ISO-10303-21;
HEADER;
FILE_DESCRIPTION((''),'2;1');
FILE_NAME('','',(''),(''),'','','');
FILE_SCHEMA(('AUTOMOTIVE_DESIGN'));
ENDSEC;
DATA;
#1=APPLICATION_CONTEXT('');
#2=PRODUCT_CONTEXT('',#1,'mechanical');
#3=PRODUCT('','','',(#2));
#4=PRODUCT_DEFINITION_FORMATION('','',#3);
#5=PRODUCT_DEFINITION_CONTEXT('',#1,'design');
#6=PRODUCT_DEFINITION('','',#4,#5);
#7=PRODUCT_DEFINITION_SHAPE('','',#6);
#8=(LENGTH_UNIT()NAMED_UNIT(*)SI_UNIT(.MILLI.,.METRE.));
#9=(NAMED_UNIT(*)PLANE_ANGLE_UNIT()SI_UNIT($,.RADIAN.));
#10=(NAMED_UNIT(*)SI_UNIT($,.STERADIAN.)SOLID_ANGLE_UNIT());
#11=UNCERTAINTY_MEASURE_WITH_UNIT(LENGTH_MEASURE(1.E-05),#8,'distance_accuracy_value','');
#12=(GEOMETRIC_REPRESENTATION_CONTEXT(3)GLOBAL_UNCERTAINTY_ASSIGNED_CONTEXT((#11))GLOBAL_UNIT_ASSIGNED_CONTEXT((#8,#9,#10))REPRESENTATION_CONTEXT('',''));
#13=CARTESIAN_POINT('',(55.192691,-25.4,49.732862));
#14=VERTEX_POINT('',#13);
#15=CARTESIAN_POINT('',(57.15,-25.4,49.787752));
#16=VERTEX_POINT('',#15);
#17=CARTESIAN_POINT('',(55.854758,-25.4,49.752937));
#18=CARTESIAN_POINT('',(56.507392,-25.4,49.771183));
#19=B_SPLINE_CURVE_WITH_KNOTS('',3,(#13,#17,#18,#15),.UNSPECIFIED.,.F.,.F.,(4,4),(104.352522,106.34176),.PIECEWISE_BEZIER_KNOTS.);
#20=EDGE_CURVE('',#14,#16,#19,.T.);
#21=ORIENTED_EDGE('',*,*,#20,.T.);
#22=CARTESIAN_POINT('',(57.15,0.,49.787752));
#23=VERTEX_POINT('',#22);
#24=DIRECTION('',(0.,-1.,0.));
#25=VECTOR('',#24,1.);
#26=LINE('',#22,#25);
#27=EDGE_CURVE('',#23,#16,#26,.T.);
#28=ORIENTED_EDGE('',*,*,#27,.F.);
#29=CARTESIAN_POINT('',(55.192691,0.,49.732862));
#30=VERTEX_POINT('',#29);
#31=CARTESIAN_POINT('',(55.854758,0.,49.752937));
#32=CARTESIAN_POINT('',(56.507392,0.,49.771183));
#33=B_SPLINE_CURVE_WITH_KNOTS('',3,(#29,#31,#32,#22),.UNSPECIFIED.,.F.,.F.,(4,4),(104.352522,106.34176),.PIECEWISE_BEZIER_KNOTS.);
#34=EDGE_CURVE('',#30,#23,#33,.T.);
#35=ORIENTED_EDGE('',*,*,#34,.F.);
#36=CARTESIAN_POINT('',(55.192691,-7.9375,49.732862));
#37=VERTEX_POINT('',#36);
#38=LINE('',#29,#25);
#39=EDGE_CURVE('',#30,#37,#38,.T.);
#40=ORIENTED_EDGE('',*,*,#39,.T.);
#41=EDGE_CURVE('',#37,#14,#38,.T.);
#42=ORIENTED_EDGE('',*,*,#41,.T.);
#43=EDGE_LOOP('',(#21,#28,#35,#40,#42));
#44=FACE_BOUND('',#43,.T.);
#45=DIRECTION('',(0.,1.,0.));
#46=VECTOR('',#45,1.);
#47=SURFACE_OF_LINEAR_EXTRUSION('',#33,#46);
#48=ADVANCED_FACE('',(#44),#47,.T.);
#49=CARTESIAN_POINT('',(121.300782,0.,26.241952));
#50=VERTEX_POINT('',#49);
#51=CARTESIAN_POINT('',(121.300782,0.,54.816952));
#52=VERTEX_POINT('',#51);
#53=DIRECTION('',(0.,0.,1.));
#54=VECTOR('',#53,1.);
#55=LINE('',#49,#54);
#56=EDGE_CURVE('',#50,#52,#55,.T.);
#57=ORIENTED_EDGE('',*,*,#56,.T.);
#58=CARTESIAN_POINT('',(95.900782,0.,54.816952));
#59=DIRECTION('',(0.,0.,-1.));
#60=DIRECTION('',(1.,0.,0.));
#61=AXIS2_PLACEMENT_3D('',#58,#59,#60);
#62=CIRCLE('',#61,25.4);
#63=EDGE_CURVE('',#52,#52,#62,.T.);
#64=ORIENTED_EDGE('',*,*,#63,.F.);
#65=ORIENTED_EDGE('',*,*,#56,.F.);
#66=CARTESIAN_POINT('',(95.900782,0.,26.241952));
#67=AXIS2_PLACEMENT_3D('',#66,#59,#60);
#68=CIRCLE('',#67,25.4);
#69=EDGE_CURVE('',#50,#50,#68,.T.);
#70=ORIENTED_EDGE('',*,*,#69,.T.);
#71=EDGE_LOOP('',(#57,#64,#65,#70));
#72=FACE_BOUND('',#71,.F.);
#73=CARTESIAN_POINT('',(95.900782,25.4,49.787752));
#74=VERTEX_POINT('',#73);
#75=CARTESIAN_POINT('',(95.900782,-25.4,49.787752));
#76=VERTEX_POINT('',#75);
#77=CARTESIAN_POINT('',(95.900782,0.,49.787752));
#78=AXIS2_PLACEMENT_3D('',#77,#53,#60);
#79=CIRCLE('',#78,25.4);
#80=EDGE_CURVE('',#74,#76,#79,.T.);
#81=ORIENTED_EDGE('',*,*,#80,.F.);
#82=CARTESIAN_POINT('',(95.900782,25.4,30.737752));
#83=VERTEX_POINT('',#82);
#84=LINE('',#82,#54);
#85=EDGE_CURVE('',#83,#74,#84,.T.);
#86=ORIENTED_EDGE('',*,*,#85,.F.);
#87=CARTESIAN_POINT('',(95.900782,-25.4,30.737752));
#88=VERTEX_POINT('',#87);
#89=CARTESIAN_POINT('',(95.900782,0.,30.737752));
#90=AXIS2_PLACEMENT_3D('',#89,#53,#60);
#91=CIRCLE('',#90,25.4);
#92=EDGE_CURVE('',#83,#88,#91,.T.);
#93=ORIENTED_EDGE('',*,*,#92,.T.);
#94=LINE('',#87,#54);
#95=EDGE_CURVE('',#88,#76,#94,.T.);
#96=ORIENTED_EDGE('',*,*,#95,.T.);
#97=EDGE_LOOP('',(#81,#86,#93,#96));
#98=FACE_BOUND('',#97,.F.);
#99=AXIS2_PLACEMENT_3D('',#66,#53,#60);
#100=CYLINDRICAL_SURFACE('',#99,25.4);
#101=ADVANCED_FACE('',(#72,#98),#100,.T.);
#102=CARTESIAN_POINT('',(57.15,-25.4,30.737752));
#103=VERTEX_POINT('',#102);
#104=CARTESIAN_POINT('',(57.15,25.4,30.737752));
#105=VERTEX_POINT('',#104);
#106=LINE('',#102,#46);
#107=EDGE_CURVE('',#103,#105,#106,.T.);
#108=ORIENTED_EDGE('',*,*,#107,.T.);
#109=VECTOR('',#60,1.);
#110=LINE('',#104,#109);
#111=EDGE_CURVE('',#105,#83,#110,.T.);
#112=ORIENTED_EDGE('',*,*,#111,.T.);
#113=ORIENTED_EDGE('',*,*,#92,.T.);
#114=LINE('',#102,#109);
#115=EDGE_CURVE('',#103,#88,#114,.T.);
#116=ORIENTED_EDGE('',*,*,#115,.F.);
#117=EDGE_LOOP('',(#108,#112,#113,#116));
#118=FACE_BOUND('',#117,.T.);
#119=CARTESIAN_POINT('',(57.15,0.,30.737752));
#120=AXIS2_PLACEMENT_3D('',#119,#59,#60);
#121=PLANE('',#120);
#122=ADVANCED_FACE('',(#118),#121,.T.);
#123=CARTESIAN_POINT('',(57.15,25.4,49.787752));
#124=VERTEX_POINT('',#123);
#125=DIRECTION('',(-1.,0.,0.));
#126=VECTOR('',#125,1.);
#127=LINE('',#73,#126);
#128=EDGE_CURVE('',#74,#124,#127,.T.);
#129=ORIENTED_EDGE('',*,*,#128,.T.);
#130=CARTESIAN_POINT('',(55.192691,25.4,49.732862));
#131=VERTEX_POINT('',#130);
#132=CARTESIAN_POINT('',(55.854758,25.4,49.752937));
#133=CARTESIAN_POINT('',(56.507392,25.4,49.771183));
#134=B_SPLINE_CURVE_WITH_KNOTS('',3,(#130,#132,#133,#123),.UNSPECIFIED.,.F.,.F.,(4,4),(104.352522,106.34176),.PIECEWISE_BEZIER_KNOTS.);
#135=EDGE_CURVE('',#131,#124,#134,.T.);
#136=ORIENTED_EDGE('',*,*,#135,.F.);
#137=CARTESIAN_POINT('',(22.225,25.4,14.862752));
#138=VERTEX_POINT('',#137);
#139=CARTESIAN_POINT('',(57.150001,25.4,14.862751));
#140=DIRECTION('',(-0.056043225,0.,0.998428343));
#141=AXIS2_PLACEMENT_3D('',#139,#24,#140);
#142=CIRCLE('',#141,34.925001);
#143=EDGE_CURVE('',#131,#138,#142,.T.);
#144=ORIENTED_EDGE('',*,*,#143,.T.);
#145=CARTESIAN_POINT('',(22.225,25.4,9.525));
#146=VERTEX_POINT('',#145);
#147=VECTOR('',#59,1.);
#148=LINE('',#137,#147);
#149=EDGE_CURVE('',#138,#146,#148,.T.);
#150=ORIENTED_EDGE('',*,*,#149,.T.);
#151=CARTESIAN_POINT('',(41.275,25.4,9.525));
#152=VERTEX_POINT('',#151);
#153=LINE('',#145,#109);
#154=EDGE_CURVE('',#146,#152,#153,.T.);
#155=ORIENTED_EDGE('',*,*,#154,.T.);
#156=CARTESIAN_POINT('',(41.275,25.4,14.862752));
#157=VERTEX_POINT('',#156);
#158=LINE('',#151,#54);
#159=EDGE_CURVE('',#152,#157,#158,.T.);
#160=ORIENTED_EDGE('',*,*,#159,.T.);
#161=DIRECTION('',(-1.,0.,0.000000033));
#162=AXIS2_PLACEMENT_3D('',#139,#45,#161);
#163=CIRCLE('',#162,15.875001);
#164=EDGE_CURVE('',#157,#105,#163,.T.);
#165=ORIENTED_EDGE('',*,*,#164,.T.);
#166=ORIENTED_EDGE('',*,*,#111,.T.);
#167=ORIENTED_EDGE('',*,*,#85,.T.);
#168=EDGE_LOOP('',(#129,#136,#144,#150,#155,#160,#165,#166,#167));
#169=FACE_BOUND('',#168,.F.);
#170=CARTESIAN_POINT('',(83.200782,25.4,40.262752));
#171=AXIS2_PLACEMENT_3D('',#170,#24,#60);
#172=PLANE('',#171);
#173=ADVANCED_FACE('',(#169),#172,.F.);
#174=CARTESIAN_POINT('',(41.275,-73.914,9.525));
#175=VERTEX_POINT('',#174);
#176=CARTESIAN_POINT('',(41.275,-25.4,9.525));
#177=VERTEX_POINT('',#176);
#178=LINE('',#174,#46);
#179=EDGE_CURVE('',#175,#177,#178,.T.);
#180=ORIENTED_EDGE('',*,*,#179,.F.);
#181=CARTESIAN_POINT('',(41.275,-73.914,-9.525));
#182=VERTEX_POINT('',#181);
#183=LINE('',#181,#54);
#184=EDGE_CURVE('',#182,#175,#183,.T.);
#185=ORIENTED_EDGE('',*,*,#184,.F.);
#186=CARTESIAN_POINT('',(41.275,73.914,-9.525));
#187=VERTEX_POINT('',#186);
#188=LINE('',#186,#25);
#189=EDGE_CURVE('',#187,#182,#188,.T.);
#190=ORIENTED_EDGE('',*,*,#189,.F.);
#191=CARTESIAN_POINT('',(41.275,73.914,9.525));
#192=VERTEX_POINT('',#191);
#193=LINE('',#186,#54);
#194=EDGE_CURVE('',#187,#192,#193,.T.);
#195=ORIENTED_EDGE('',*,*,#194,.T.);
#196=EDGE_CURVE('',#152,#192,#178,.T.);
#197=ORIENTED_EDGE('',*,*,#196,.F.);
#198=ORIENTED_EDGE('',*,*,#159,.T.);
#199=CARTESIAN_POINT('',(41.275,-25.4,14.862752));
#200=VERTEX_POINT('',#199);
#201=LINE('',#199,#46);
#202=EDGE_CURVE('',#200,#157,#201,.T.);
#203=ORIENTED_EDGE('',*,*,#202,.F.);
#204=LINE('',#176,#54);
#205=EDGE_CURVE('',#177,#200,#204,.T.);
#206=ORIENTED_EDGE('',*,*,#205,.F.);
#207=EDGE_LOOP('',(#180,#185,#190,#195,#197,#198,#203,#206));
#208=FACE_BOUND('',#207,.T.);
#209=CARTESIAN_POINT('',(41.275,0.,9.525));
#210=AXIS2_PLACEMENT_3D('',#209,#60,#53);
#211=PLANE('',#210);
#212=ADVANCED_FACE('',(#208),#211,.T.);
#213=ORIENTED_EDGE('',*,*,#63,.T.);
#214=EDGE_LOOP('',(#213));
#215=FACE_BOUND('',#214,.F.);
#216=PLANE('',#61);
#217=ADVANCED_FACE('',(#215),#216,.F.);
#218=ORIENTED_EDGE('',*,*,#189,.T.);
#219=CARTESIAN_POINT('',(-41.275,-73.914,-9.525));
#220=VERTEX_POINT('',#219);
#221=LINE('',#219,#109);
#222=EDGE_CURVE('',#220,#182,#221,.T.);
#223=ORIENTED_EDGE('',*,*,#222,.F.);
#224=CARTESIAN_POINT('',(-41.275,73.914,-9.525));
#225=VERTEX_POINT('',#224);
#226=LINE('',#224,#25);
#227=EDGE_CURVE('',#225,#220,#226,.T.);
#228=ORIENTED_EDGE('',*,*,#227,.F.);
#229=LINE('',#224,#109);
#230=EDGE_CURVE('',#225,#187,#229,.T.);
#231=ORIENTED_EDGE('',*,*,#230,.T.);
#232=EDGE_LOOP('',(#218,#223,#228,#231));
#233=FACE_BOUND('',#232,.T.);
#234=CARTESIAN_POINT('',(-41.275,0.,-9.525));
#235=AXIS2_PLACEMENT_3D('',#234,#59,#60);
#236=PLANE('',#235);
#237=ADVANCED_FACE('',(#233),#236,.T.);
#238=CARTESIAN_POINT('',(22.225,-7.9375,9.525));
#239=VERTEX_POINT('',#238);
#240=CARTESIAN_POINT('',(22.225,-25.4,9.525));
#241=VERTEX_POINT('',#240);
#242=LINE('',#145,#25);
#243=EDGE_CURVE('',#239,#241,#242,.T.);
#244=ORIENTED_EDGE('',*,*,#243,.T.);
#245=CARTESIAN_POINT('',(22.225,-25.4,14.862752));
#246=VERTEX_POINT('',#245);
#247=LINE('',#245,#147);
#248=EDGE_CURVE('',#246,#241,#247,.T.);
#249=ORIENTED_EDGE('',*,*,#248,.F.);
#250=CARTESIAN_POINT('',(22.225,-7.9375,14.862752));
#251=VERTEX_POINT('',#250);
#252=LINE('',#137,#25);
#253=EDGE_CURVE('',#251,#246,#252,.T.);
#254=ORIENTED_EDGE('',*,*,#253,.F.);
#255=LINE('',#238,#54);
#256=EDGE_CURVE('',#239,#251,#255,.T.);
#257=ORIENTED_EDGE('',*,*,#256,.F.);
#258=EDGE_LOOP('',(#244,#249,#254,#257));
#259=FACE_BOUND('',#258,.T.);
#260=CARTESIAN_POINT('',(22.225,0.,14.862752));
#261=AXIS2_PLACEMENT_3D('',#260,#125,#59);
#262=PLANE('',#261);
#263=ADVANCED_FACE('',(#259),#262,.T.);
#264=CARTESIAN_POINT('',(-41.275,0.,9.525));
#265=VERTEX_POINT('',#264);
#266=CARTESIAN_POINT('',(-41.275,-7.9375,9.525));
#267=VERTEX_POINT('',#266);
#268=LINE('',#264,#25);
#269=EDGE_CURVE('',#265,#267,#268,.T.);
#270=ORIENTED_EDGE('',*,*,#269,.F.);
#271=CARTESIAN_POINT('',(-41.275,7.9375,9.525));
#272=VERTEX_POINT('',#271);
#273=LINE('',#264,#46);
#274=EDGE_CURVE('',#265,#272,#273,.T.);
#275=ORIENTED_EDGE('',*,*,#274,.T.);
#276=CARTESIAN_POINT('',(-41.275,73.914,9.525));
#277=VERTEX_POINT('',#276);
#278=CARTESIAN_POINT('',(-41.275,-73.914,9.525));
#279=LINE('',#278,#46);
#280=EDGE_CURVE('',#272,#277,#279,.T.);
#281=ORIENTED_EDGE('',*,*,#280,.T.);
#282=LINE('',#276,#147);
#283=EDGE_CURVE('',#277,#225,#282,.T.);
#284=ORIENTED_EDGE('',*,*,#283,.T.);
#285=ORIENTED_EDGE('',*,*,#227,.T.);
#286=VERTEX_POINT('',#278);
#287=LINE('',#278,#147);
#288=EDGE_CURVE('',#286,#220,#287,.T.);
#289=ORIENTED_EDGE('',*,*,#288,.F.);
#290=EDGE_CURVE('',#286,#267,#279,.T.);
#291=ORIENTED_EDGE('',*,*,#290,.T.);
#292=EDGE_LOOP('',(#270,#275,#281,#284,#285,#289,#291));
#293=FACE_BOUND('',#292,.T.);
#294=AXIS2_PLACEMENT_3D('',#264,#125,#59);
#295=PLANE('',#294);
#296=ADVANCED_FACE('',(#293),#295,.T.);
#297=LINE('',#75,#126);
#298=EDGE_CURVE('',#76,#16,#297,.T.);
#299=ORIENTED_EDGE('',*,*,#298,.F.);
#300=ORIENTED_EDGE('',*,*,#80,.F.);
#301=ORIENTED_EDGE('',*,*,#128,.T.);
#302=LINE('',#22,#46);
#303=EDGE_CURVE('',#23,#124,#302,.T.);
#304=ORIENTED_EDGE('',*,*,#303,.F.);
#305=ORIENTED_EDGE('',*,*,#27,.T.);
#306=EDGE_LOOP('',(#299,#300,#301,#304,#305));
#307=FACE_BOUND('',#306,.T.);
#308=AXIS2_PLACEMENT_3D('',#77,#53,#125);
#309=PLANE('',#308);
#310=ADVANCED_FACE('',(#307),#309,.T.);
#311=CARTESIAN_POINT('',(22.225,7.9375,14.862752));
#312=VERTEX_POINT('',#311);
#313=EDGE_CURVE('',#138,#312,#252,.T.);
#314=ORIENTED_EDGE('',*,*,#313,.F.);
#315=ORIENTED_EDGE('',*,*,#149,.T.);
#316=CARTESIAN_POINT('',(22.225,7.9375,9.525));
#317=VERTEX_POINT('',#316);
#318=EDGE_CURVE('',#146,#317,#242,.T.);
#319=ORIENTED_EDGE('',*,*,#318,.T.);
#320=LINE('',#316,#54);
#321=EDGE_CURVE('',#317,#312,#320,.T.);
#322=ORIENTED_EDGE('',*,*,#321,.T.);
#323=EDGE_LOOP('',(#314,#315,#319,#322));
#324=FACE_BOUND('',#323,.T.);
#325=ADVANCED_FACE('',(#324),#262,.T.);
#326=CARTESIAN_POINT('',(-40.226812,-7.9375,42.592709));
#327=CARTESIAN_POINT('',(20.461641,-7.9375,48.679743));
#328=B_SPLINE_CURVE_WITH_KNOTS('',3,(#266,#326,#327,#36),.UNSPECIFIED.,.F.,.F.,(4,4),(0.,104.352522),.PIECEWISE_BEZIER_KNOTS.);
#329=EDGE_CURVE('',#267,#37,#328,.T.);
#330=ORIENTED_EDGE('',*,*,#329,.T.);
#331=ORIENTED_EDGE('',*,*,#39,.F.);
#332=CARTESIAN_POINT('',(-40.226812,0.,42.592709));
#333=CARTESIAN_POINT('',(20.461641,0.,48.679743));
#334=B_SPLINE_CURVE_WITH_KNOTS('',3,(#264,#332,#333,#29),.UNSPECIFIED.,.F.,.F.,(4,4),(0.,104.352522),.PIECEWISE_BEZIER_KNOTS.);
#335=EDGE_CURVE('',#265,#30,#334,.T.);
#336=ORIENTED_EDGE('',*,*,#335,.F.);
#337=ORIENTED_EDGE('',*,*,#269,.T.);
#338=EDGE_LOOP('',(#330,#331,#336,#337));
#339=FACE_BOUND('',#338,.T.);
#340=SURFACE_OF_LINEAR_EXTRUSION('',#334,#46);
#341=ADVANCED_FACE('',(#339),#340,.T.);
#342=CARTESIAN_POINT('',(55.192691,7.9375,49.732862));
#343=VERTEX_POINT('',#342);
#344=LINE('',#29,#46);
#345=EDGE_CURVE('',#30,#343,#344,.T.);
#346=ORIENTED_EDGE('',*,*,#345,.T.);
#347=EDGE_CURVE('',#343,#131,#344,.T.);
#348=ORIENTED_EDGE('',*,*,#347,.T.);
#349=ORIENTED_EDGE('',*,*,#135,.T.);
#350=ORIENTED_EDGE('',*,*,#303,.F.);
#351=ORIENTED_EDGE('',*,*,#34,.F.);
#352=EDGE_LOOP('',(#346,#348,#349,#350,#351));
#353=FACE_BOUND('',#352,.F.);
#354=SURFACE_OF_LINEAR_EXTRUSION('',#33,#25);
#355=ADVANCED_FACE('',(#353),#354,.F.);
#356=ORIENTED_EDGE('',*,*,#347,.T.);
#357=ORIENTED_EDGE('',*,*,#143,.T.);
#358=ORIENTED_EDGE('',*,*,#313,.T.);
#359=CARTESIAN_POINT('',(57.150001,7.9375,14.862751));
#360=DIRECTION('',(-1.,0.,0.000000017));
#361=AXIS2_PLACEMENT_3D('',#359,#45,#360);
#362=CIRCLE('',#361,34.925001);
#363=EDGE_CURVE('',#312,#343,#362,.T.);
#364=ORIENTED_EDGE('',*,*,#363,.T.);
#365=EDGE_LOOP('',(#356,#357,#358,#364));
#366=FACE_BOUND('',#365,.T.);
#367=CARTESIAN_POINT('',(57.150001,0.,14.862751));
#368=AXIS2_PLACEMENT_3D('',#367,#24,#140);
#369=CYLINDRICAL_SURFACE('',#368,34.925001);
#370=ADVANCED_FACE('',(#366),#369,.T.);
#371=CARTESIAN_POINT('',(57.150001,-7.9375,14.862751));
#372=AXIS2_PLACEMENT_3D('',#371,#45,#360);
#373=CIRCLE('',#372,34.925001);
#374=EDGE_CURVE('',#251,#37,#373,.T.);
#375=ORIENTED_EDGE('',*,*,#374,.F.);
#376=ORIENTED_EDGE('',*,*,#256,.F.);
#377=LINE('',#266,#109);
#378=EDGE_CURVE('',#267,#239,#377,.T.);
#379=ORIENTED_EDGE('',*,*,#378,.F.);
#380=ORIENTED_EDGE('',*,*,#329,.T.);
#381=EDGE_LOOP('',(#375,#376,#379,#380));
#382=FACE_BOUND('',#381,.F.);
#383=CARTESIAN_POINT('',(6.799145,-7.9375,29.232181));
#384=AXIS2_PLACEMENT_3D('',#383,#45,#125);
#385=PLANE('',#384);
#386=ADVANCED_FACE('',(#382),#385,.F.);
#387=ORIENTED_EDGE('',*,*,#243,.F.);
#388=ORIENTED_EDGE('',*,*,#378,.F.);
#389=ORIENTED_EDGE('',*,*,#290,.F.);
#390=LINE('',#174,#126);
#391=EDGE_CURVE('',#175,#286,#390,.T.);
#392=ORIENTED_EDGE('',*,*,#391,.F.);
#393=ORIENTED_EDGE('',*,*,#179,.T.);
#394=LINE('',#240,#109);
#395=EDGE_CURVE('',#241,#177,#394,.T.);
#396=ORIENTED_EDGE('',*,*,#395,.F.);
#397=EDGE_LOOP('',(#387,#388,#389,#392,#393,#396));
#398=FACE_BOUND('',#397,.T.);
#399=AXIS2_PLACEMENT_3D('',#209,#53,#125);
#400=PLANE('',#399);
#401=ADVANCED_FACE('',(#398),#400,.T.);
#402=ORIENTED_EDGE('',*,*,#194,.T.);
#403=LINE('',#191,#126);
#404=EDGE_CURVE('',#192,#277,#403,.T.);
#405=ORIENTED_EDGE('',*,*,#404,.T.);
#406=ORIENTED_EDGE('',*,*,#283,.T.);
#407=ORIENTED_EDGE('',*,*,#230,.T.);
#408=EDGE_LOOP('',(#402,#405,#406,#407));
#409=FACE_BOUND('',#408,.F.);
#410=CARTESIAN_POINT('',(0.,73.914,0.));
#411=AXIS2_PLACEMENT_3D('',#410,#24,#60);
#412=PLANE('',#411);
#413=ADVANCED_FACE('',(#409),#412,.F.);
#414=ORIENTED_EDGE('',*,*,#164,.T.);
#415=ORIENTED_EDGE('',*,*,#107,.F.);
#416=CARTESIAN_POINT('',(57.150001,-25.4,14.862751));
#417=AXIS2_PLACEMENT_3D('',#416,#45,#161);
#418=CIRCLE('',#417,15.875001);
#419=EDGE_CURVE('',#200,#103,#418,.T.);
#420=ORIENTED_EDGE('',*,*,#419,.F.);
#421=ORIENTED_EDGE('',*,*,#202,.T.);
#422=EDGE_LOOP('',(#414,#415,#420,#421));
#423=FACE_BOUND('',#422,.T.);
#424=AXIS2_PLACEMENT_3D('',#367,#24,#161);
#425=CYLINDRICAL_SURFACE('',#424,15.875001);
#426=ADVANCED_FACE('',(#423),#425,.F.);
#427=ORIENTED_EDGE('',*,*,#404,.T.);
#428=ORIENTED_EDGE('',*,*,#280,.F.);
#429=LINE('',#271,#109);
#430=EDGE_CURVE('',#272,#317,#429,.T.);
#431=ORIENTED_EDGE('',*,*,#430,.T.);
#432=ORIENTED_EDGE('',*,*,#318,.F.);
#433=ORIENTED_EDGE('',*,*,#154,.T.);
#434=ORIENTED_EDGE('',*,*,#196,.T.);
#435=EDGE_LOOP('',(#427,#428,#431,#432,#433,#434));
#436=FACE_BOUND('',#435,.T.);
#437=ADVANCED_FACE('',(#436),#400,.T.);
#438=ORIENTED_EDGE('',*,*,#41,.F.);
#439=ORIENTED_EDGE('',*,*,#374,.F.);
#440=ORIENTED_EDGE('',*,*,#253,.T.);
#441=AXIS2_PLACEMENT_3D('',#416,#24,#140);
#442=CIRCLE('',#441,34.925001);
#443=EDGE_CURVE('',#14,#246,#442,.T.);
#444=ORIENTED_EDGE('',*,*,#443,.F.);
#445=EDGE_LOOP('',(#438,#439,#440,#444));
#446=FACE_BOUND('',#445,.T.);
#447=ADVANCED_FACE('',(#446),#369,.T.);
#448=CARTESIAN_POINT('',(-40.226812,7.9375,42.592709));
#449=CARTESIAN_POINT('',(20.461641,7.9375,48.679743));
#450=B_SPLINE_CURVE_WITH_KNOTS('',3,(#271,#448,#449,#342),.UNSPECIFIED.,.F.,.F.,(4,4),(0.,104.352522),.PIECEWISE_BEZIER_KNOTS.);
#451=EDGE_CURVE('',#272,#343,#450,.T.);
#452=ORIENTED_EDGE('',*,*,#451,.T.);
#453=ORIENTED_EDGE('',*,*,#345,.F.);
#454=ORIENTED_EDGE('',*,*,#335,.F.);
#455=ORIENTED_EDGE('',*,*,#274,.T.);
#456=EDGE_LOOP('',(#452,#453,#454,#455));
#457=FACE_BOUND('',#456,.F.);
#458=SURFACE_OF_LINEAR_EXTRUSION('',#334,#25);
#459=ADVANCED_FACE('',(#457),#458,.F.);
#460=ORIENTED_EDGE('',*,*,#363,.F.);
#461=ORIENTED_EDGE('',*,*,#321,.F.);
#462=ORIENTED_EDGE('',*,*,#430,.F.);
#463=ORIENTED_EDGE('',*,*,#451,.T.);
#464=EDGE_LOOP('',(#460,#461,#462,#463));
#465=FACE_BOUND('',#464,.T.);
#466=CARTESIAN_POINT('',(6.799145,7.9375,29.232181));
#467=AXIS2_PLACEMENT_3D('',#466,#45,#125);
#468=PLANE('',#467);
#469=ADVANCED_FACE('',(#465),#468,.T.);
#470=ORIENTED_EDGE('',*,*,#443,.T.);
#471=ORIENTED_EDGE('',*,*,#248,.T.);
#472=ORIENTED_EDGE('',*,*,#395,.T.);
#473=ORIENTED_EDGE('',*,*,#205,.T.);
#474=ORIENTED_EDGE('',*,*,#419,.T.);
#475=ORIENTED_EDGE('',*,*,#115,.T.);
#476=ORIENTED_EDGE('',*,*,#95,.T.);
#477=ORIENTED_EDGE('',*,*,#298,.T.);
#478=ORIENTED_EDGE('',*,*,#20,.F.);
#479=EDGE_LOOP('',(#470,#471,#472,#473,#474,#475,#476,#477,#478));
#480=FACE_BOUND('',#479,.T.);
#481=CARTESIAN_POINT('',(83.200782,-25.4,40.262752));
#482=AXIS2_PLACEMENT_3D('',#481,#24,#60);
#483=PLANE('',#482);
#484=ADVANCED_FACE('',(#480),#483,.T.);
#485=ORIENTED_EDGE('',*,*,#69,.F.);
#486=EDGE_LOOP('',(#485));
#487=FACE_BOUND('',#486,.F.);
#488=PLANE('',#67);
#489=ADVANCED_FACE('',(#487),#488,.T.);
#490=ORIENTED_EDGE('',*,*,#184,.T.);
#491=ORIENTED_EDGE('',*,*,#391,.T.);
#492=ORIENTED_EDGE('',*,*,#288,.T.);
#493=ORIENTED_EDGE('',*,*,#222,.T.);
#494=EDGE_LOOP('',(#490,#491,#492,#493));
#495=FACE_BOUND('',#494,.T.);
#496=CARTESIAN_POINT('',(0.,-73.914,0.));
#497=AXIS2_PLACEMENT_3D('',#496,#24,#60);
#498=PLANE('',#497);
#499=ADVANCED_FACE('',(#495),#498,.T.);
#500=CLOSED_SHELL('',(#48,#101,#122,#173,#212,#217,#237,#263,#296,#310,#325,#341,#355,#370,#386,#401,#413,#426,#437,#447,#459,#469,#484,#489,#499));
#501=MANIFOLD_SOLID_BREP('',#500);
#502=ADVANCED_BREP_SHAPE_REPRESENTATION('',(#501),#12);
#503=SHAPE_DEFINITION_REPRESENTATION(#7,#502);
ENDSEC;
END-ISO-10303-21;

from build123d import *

# Parameters (mm, degrees)
F1_DEPTH      = 73.914
F1_DEPTH_BACK = 73.914
F2_DEPTH      = 7.9375
F3_DEPTH      = 25.4


with BuildPart() as f1:
    # F0 (on Front) → F1 (new body, two sides)
    with BuildSketch(Plane.XZ) as f1_sk:
        Polygon((-41.275, 9.525), (-41.275, -9.525), (41.275, -9.525), (41.275, 9.525), (22.225, 9.525), align=None)
    extrude(amount=F1_DEPTH)
    extrude(f1_sk.sketch, amount=-F1_DEPTH_BACK)

    # F0 (on Front) → F2 (join, symmetric)
    with BuildSketch(Plane.XZ):
        with BuildLine():
            add(Edge.make_bspline(
                [(-41.275, 9.525), (-40.226812, 42.592709), (20.461641, 48.679743), (55.192691, 49.732862)],
                knots=[0, 0, 0, 0, 104.352522, 104.352522, 104.352522, 104.352522], degree=3))
            Line((-41.275, 9.525), (22.225, 9.525))
            Line((22.225, 9.525), (22.225, 14.862752))
            ThreePointArc((22.225, 14.862752), (31.771716, 38.856466), (55.192691, 49.732862))
        make_face()
    extrude(amount=F2_DEPTH, both=True)

    # F0 (on Front) → F3 (join, symmetric)
    with BuildSketch(Plane.XZ):
        Polygon((89.471519, 49.787752), (70.500782, 49.787752), (70.500782, 30.737752), (89.471519, 30.737752), (95.900782, 30.737752), (95.900782, 49.787752), align=None)
        with BuildLine():
            Line((22.225, 9.525), (41.275, 9.525))
            Line((41.275, 9.525), (41.275, 14.862752))
            ThreePointArc((41.275, 14.862752), (45.92468, 26.088072), (57.15, 30.737752))
            Line((57.15, 30.737752), (70.500782, 30.737752))
            Line((70.500782, 30.737752), (70.500782, 49.787752))
            Line((70.500782, 49.787752), (57.15, 49.787752))
            add(Edge.make_bspline(
                [(55.192691, 49.732862), (55.854758, 49.752937), (56.507392, 49.771183), (57.15, 49.787752)],
                knots=[104.352522, 104.352522, 104.352522, 104.352522, 106.34176, 106.34176, 106.34176, 106.34176], degree=3))
            ThreePointArc((55.192691, 49.732862), (31.771716, 38.856466), (22.225, 14.862752))
            Line((22.225, 14.862752), (22.225, 9.525))
        make_face()
    extrude(amount=F3_DEPTH, both=True)

    # F0 (on Front) → F4 (revolve)
    with BuildSketch(Plane.XZ):
        Polygon((121.300782, 54.816952), (95.900782, 54.816952), (95.900782, 49.787752), (95.900782, 30.737752), (95.900782, 26.241952), (121.300782, 26.241952), align=None)
    revolve(axis=Axis((95.900782, 0, 40.529452), (0, 0, -1)))


solid = f1.part
